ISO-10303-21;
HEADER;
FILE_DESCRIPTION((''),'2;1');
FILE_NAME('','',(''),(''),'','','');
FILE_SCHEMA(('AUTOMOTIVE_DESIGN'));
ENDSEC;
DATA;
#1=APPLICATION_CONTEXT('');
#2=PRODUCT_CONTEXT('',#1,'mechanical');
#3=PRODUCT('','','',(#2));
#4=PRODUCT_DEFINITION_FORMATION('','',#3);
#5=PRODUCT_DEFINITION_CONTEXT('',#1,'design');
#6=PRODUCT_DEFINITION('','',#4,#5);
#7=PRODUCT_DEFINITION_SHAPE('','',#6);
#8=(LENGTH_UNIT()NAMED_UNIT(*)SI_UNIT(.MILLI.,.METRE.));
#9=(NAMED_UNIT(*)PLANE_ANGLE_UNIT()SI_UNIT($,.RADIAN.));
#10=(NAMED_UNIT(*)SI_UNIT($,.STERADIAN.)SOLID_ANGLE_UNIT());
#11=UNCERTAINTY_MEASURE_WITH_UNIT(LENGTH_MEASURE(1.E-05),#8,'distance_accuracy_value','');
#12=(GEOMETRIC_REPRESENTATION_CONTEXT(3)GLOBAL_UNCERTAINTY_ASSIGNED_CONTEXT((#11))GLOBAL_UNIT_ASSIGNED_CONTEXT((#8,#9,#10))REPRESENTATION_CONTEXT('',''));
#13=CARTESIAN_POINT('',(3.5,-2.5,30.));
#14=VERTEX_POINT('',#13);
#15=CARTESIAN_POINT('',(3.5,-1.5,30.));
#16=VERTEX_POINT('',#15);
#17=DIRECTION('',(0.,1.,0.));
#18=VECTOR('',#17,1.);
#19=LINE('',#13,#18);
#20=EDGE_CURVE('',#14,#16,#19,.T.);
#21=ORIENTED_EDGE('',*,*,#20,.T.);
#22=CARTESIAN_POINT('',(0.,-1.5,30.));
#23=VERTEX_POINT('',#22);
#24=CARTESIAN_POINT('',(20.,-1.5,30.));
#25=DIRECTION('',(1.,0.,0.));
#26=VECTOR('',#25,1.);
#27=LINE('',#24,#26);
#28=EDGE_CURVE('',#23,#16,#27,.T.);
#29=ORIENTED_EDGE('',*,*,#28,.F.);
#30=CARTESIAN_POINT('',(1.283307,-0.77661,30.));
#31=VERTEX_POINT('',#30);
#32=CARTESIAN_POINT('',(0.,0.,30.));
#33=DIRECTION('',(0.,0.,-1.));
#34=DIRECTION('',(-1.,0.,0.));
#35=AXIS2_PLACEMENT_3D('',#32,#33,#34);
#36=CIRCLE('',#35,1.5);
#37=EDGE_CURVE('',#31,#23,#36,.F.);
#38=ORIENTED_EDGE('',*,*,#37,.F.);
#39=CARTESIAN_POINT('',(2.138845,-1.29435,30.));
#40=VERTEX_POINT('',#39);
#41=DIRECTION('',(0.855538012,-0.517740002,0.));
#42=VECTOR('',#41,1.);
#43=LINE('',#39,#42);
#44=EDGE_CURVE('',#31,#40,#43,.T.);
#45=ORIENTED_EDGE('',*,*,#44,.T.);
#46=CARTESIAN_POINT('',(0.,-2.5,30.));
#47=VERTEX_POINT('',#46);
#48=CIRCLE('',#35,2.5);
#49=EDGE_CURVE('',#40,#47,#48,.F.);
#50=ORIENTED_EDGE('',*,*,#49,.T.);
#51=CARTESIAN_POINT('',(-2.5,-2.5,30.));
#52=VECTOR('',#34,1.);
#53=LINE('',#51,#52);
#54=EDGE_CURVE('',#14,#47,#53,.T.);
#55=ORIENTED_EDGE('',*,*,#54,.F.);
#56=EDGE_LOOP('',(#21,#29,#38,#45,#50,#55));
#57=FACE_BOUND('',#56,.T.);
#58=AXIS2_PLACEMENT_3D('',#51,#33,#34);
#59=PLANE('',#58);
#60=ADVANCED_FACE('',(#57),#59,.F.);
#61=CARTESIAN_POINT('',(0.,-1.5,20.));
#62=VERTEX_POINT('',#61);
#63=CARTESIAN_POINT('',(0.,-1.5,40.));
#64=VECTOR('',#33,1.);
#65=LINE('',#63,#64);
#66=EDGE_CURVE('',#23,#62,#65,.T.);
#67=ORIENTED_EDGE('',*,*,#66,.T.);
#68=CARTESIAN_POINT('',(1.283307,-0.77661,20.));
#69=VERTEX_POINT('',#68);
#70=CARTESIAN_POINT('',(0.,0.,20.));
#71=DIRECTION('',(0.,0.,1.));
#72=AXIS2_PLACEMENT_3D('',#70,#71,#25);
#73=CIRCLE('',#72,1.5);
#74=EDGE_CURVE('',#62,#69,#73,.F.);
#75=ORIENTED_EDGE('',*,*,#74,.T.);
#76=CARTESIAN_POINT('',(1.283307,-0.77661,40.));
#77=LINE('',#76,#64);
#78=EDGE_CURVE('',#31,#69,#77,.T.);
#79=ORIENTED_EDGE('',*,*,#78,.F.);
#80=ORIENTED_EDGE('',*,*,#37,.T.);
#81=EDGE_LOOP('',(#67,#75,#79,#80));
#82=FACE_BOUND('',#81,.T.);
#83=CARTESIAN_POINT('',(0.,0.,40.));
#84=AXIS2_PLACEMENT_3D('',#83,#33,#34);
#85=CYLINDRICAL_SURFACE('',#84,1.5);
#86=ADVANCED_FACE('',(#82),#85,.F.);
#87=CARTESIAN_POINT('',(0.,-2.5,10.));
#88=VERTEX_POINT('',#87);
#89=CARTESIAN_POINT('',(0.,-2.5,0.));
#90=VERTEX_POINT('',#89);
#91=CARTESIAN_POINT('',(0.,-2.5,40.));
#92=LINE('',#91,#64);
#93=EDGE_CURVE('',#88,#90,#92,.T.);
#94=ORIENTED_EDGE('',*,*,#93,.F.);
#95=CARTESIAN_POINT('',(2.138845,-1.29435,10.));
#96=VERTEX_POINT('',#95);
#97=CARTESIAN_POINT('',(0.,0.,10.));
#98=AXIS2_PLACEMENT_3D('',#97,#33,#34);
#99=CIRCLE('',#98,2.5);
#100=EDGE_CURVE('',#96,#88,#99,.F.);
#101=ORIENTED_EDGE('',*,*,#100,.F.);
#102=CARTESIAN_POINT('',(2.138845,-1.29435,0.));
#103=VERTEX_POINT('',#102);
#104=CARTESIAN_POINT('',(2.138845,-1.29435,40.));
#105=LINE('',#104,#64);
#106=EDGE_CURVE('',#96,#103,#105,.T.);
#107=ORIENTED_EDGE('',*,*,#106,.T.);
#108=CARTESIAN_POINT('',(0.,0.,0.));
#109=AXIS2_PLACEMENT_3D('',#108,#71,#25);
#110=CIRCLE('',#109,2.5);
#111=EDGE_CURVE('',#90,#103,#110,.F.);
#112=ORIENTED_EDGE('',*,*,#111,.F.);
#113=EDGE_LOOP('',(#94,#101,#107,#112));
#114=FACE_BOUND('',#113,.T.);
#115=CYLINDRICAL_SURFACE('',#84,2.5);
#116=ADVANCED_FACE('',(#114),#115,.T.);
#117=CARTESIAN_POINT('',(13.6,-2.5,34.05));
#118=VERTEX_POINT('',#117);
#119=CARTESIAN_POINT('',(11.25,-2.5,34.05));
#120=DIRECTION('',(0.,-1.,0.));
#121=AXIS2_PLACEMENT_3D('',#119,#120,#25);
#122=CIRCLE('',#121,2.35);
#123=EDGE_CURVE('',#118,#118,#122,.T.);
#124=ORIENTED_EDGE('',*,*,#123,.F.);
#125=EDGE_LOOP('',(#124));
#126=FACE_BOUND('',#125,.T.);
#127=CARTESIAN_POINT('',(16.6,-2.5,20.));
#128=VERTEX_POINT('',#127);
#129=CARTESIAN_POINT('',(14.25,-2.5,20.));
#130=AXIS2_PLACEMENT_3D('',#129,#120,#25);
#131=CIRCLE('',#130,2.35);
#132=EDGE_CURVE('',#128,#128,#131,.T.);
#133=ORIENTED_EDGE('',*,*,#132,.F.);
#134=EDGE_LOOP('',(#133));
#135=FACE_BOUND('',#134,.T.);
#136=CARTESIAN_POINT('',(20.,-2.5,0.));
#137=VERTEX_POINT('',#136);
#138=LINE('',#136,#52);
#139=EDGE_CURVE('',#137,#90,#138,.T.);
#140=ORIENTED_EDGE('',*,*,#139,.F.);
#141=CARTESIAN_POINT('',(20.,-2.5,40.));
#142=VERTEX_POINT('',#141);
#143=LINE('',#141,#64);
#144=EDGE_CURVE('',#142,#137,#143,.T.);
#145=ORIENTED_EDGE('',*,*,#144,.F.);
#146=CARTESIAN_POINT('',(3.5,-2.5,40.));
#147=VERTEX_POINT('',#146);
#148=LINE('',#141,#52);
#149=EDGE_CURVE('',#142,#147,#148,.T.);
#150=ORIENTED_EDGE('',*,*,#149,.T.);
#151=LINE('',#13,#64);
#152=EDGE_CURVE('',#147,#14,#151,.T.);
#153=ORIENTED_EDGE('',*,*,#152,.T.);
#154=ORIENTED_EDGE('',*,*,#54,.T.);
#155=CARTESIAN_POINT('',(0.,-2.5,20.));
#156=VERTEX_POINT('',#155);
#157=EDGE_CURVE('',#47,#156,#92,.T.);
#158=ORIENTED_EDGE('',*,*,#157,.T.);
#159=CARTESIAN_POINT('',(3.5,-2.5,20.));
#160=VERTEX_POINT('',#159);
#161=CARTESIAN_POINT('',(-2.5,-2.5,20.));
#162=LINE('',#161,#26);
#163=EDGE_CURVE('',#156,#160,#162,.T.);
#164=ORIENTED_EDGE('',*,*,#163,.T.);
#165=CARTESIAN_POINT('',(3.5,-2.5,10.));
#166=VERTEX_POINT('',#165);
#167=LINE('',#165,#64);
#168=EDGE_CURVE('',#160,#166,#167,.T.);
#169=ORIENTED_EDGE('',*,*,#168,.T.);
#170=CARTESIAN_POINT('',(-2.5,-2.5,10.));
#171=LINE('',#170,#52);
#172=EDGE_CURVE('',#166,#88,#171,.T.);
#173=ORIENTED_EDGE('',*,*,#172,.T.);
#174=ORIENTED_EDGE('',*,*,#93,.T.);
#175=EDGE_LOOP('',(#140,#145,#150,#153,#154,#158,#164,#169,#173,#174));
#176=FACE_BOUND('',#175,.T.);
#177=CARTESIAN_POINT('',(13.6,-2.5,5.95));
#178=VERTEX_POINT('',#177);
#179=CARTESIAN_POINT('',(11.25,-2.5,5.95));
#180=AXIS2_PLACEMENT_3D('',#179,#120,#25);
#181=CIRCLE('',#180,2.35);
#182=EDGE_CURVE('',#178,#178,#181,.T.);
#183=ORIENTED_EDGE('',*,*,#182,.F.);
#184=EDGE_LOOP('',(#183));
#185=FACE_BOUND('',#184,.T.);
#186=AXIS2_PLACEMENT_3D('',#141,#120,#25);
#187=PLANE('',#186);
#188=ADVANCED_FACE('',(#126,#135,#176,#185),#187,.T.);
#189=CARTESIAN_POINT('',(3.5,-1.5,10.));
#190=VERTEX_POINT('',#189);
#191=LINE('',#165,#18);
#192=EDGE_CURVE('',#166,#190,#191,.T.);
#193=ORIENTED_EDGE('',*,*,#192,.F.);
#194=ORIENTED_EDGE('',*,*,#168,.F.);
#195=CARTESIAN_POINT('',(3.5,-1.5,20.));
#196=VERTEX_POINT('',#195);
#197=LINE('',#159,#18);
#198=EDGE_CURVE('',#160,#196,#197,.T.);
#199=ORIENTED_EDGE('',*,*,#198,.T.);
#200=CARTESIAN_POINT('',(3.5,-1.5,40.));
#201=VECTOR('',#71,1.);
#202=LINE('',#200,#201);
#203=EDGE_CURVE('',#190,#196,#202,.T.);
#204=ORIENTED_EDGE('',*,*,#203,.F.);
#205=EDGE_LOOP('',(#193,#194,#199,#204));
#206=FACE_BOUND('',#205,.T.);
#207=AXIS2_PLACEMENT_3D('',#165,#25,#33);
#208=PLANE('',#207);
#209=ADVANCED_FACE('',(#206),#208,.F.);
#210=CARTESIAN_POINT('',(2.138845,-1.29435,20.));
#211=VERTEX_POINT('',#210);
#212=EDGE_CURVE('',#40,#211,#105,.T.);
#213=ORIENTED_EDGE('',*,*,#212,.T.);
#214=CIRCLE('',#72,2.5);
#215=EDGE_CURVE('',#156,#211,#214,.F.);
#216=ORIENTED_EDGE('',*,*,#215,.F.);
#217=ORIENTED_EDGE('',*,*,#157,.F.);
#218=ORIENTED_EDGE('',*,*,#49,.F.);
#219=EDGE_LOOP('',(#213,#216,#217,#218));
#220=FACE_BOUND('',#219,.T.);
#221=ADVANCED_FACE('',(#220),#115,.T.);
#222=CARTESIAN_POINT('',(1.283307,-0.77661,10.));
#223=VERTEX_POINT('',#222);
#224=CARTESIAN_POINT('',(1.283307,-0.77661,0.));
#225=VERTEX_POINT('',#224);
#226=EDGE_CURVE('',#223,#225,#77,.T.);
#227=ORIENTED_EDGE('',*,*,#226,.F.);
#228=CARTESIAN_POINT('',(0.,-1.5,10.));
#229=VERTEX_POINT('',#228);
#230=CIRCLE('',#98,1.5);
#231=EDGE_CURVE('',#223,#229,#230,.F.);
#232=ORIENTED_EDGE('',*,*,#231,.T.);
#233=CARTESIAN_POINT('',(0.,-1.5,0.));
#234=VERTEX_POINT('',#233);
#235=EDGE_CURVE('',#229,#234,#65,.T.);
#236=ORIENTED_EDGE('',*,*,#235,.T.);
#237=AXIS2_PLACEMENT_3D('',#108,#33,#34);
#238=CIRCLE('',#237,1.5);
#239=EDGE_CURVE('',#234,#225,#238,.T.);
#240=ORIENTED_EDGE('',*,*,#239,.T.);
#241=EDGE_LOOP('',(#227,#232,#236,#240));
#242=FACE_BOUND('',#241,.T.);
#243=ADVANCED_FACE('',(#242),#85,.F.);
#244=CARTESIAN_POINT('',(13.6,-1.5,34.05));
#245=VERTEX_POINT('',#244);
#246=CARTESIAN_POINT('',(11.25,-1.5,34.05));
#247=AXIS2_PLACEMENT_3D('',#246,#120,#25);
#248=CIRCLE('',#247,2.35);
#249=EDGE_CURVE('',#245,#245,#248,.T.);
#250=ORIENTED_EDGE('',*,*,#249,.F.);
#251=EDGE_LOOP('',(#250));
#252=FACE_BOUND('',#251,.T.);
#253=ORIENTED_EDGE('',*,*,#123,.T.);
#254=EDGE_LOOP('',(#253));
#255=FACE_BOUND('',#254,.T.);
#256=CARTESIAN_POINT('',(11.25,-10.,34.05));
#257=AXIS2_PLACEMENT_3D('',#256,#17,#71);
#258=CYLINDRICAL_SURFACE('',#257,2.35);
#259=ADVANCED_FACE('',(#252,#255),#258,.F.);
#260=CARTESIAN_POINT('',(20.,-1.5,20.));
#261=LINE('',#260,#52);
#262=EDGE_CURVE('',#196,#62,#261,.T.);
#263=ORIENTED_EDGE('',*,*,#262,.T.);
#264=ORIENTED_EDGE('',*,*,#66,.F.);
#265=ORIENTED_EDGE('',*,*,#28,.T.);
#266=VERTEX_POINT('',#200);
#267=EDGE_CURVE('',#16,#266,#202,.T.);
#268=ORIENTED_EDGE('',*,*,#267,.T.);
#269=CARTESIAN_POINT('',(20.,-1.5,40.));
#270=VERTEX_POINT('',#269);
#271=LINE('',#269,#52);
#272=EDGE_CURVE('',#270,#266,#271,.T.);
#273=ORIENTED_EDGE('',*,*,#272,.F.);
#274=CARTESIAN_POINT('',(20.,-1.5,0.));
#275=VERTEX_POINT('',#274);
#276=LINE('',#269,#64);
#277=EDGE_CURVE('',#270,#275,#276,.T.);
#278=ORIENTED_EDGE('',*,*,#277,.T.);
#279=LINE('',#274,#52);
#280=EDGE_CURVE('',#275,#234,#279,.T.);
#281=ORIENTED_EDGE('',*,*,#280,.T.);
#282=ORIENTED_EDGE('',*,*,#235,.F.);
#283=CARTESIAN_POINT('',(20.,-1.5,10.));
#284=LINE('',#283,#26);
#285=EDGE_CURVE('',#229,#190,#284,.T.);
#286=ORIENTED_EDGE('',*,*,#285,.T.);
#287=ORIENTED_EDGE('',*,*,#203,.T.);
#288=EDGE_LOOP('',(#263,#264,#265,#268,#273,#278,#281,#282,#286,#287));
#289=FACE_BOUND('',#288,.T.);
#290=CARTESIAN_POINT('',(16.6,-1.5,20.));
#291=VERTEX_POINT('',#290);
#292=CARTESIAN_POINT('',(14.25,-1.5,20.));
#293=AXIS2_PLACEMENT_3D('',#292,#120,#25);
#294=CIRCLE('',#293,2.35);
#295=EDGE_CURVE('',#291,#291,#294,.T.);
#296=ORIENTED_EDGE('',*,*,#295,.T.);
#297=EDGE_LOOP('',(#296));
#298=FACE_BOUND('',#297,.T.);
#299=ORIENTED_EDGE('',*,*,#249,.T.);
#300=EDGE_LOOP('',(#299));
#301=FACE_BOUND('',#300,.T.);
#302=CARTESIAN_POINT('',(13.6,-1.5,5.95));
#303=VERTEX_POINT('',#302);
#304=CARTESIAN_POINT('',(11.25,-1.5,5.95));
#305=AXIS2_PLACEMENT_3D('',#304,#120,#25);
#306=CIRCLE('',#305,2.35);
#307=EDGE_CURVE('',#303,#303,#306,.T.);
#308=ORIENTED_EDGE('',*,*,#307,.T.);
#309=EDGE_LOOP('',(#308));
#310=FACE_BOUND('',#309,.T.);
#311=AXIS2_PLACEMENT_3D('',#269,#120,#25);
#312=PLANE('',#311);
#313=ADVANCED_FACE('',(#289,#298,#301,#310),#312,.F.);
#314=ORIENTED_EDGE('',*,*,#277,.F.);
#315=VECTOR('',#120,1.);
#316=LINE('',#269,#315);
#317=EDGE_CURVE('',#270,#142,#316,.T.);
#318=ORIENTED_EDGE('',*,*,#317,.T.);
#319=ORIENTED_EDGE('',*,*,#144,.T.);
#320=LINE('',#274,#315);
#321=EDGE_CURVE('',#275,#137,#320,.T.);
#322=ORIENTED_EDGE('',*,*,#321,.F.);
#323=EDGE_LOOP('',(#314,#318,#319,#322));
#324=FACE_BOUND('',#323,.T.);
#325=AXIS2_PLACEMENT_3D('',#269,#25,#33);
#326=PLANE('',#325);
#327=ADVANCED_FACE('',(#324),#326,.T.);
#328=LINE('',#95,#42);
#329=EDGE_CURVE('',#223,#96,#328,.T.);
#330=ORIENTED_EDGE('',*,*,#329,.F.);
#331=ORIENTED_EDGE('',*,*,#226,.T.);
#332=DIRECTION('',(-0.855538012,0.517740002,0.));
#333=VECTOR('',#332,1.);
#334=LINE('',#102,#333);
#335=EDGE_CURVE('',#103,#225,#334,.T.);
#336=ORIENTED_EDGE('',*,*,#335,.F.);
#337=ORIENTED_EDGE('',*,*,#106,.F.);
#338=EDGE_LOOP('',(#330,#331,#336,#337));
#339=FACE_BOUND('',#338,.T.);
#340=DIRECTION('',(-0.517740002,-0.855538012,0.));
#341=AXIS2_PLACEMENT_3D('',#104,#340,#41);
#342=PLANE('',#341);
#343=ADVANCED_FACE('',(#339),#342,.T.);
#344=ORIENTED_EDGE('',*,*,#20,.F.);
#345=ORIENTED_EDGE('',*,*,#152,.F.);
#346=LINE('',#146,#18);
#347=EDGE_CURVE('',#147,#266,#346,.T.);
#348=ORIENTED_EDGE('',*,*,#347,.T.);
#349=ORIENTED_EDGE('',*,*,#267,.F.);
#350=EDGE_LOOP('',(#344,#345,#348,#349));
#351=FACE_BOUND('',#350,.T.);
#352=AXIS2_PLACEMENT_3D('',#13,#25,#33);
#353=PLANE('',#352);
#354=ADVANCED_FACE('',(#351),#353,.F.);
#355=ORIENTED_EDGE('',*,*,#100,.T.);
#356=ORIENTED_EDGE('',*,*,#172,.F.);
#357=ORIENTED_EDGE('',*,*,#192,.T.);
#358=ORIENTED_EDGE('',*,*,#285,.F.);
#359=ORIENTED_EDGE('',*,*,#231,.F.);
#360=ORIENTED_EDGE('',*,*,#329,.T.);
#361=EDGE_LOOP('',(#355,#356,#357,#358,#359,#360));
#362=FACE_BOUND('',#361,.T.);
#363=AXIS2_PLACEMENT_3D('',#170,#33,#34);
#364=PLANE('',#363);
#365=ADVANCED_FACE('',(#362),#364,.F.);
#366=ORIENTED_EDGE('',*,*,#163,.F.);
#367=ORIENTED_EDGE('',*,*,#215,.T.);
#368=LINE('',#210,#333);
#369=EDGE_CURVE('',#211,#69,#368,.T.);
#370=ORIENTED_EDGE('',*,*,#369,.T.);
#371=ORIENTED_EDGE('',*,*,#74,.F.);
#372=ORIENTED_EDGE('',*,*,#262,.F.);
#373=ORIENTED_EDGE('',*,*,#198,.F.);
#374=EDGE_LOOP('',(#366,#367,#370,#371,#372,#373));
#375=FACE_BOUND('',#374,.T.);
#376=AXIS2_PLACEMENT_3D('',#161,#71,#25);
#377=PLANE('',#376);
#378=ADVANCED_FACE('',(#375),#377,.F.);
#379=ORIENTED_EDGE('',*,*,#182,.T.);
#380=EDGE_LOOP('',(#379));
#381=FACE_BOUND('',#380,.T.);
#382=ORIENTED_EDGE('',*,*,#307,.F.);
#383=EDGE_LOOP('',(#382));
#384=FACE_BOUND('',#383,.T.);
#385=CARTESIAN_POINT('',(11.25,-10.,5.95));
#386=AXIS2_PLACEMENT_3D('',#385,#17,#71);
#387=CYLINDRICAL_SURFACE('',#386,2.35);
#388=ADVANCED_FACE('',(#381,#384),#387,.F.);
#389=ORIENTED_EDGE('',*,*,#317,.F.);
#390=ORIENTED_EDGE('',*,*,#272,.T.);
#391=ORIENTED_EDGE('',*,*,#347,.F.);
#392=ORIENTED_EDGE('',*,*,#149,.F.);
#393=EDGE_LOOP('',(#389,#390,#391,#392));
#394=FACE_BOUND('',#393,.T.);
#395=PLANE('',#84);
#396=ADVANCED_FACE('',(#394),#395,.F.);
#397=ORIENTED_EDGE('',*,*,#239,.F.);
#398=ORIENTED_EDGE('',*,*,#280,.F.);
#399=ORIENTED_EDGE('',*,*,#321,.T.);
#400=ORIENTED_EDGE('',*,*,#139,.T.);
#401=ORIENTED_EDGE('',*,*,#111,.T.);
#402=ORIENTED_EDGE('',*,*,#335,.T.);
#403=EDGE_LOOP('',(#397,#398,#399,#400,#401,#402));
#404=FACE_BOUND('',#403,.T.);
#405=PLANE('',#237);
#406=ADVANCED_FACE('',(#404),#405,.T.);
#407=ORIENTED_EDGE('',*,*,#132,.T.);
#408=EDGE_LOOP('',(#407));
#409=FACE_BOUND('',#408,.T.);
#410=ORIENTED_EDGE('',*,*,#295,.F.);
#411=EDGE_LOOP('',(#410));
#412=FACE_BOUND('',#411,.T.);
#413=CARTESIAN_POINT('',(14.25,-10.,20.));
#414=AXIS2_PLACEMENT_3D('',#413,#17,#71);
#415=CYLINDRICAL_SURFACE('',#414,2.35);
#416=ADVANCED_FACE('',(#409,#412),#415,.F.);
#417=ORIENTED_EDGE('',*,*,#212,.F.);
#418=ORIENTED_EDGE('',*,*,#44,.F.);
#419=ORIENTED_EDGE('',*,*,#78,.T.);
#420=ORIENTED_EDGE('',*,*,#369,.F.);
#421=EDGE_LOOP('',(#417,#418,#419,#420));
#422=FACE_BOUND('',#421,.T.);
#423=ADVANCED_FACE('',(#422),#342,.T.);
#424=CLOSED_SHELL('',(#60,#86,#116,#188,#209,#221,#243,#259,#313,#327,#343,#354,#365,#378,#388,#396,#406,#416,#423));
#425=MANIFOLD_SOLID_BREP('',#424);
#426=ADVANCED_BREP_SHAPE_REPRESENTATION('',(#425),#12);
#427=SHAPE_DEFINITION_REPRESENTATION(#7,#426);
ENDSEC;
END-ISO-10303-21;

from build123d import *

# Parameters (mm, degrees)
EXTRUDE_THIN2_DEPTH     = 40
CUT_EXTRUDE1_DEPTH      = 45.791182168
CUT_EXTRUDE1_DEPTH_BACK = 45.791182168
SKETCH2_W               = 6
SKETCH2_H               = 10
SKETCH3_R               = 2.35
CUT_EXTRUDE2_DEPTH      = 10


with BuildPart() as part:
    # Sketch1 → Extrude-Thin2 (new body)
    with BuildSketch(Plane.XY):
        with BuildLine():
            Line((20, -1.5), (0, -1.5))
            ThreePointArc((0, -1.5), (-0.736574842, 1.306697173), (1.283307019, -0.776610002))
            Line((1.283307019, -0.776610002), (2.138845031, -1.294350004))
            ThreePointArc((2.138845031, -1.294350004), (-1.227624737, 2.177828622), (0, -2.5))
            Line((0, -2.5), (20, -2.5))
            Line((20, -2.5), (20, -1.5))
        make_face()
    extrude(amount=EXTRUDE_THIN2_DEPTH)

    # Sketch2 → Cut-Extrude1 (cut, two sides: drawn at the far end of the back side and taken through both)
    with BuildSketch(Plane(origin=(0, 0, 0), x_dir=(1, 0, 0), z_dir=(0, 1, 0)).offset(-CUT_EXTRUDE1_DEPTH_BACK)):
        with Locations((0.5, -15)):
            Rectangle(SKETCH2_W, SKETCH2_H)
        with Locations((0.5, -35)):
            Rectangle(SKETCH2_W, SKETCH2_H)
    extrude(amount=CUT_EXTRUDE1_DEPTH + CUT_EXTRUDE1_DEPTH_BACK, mode=Mode.SUBTRACT)

    # Sketch3 → Cut-Extrude2 (cut)
    with BuildSketch(Plane(origin=(0, 0, 0), x_dir=(1, 0, 0), z_dir=(0, 1, 0))):
        with Locations((14.25, -20)):
            Circle(SKETCH3_R)
        with Locations((11.25, -34.05)):
            Circle(SKETCH3_R)
        with Locations((11.25, -5.95)):
            Circle(SKETCH3_R)
    extrude(amount=-CUT_EXTRUDE2_DEPTH, mode=Mode.SUBTRACT)


solid = part.part
